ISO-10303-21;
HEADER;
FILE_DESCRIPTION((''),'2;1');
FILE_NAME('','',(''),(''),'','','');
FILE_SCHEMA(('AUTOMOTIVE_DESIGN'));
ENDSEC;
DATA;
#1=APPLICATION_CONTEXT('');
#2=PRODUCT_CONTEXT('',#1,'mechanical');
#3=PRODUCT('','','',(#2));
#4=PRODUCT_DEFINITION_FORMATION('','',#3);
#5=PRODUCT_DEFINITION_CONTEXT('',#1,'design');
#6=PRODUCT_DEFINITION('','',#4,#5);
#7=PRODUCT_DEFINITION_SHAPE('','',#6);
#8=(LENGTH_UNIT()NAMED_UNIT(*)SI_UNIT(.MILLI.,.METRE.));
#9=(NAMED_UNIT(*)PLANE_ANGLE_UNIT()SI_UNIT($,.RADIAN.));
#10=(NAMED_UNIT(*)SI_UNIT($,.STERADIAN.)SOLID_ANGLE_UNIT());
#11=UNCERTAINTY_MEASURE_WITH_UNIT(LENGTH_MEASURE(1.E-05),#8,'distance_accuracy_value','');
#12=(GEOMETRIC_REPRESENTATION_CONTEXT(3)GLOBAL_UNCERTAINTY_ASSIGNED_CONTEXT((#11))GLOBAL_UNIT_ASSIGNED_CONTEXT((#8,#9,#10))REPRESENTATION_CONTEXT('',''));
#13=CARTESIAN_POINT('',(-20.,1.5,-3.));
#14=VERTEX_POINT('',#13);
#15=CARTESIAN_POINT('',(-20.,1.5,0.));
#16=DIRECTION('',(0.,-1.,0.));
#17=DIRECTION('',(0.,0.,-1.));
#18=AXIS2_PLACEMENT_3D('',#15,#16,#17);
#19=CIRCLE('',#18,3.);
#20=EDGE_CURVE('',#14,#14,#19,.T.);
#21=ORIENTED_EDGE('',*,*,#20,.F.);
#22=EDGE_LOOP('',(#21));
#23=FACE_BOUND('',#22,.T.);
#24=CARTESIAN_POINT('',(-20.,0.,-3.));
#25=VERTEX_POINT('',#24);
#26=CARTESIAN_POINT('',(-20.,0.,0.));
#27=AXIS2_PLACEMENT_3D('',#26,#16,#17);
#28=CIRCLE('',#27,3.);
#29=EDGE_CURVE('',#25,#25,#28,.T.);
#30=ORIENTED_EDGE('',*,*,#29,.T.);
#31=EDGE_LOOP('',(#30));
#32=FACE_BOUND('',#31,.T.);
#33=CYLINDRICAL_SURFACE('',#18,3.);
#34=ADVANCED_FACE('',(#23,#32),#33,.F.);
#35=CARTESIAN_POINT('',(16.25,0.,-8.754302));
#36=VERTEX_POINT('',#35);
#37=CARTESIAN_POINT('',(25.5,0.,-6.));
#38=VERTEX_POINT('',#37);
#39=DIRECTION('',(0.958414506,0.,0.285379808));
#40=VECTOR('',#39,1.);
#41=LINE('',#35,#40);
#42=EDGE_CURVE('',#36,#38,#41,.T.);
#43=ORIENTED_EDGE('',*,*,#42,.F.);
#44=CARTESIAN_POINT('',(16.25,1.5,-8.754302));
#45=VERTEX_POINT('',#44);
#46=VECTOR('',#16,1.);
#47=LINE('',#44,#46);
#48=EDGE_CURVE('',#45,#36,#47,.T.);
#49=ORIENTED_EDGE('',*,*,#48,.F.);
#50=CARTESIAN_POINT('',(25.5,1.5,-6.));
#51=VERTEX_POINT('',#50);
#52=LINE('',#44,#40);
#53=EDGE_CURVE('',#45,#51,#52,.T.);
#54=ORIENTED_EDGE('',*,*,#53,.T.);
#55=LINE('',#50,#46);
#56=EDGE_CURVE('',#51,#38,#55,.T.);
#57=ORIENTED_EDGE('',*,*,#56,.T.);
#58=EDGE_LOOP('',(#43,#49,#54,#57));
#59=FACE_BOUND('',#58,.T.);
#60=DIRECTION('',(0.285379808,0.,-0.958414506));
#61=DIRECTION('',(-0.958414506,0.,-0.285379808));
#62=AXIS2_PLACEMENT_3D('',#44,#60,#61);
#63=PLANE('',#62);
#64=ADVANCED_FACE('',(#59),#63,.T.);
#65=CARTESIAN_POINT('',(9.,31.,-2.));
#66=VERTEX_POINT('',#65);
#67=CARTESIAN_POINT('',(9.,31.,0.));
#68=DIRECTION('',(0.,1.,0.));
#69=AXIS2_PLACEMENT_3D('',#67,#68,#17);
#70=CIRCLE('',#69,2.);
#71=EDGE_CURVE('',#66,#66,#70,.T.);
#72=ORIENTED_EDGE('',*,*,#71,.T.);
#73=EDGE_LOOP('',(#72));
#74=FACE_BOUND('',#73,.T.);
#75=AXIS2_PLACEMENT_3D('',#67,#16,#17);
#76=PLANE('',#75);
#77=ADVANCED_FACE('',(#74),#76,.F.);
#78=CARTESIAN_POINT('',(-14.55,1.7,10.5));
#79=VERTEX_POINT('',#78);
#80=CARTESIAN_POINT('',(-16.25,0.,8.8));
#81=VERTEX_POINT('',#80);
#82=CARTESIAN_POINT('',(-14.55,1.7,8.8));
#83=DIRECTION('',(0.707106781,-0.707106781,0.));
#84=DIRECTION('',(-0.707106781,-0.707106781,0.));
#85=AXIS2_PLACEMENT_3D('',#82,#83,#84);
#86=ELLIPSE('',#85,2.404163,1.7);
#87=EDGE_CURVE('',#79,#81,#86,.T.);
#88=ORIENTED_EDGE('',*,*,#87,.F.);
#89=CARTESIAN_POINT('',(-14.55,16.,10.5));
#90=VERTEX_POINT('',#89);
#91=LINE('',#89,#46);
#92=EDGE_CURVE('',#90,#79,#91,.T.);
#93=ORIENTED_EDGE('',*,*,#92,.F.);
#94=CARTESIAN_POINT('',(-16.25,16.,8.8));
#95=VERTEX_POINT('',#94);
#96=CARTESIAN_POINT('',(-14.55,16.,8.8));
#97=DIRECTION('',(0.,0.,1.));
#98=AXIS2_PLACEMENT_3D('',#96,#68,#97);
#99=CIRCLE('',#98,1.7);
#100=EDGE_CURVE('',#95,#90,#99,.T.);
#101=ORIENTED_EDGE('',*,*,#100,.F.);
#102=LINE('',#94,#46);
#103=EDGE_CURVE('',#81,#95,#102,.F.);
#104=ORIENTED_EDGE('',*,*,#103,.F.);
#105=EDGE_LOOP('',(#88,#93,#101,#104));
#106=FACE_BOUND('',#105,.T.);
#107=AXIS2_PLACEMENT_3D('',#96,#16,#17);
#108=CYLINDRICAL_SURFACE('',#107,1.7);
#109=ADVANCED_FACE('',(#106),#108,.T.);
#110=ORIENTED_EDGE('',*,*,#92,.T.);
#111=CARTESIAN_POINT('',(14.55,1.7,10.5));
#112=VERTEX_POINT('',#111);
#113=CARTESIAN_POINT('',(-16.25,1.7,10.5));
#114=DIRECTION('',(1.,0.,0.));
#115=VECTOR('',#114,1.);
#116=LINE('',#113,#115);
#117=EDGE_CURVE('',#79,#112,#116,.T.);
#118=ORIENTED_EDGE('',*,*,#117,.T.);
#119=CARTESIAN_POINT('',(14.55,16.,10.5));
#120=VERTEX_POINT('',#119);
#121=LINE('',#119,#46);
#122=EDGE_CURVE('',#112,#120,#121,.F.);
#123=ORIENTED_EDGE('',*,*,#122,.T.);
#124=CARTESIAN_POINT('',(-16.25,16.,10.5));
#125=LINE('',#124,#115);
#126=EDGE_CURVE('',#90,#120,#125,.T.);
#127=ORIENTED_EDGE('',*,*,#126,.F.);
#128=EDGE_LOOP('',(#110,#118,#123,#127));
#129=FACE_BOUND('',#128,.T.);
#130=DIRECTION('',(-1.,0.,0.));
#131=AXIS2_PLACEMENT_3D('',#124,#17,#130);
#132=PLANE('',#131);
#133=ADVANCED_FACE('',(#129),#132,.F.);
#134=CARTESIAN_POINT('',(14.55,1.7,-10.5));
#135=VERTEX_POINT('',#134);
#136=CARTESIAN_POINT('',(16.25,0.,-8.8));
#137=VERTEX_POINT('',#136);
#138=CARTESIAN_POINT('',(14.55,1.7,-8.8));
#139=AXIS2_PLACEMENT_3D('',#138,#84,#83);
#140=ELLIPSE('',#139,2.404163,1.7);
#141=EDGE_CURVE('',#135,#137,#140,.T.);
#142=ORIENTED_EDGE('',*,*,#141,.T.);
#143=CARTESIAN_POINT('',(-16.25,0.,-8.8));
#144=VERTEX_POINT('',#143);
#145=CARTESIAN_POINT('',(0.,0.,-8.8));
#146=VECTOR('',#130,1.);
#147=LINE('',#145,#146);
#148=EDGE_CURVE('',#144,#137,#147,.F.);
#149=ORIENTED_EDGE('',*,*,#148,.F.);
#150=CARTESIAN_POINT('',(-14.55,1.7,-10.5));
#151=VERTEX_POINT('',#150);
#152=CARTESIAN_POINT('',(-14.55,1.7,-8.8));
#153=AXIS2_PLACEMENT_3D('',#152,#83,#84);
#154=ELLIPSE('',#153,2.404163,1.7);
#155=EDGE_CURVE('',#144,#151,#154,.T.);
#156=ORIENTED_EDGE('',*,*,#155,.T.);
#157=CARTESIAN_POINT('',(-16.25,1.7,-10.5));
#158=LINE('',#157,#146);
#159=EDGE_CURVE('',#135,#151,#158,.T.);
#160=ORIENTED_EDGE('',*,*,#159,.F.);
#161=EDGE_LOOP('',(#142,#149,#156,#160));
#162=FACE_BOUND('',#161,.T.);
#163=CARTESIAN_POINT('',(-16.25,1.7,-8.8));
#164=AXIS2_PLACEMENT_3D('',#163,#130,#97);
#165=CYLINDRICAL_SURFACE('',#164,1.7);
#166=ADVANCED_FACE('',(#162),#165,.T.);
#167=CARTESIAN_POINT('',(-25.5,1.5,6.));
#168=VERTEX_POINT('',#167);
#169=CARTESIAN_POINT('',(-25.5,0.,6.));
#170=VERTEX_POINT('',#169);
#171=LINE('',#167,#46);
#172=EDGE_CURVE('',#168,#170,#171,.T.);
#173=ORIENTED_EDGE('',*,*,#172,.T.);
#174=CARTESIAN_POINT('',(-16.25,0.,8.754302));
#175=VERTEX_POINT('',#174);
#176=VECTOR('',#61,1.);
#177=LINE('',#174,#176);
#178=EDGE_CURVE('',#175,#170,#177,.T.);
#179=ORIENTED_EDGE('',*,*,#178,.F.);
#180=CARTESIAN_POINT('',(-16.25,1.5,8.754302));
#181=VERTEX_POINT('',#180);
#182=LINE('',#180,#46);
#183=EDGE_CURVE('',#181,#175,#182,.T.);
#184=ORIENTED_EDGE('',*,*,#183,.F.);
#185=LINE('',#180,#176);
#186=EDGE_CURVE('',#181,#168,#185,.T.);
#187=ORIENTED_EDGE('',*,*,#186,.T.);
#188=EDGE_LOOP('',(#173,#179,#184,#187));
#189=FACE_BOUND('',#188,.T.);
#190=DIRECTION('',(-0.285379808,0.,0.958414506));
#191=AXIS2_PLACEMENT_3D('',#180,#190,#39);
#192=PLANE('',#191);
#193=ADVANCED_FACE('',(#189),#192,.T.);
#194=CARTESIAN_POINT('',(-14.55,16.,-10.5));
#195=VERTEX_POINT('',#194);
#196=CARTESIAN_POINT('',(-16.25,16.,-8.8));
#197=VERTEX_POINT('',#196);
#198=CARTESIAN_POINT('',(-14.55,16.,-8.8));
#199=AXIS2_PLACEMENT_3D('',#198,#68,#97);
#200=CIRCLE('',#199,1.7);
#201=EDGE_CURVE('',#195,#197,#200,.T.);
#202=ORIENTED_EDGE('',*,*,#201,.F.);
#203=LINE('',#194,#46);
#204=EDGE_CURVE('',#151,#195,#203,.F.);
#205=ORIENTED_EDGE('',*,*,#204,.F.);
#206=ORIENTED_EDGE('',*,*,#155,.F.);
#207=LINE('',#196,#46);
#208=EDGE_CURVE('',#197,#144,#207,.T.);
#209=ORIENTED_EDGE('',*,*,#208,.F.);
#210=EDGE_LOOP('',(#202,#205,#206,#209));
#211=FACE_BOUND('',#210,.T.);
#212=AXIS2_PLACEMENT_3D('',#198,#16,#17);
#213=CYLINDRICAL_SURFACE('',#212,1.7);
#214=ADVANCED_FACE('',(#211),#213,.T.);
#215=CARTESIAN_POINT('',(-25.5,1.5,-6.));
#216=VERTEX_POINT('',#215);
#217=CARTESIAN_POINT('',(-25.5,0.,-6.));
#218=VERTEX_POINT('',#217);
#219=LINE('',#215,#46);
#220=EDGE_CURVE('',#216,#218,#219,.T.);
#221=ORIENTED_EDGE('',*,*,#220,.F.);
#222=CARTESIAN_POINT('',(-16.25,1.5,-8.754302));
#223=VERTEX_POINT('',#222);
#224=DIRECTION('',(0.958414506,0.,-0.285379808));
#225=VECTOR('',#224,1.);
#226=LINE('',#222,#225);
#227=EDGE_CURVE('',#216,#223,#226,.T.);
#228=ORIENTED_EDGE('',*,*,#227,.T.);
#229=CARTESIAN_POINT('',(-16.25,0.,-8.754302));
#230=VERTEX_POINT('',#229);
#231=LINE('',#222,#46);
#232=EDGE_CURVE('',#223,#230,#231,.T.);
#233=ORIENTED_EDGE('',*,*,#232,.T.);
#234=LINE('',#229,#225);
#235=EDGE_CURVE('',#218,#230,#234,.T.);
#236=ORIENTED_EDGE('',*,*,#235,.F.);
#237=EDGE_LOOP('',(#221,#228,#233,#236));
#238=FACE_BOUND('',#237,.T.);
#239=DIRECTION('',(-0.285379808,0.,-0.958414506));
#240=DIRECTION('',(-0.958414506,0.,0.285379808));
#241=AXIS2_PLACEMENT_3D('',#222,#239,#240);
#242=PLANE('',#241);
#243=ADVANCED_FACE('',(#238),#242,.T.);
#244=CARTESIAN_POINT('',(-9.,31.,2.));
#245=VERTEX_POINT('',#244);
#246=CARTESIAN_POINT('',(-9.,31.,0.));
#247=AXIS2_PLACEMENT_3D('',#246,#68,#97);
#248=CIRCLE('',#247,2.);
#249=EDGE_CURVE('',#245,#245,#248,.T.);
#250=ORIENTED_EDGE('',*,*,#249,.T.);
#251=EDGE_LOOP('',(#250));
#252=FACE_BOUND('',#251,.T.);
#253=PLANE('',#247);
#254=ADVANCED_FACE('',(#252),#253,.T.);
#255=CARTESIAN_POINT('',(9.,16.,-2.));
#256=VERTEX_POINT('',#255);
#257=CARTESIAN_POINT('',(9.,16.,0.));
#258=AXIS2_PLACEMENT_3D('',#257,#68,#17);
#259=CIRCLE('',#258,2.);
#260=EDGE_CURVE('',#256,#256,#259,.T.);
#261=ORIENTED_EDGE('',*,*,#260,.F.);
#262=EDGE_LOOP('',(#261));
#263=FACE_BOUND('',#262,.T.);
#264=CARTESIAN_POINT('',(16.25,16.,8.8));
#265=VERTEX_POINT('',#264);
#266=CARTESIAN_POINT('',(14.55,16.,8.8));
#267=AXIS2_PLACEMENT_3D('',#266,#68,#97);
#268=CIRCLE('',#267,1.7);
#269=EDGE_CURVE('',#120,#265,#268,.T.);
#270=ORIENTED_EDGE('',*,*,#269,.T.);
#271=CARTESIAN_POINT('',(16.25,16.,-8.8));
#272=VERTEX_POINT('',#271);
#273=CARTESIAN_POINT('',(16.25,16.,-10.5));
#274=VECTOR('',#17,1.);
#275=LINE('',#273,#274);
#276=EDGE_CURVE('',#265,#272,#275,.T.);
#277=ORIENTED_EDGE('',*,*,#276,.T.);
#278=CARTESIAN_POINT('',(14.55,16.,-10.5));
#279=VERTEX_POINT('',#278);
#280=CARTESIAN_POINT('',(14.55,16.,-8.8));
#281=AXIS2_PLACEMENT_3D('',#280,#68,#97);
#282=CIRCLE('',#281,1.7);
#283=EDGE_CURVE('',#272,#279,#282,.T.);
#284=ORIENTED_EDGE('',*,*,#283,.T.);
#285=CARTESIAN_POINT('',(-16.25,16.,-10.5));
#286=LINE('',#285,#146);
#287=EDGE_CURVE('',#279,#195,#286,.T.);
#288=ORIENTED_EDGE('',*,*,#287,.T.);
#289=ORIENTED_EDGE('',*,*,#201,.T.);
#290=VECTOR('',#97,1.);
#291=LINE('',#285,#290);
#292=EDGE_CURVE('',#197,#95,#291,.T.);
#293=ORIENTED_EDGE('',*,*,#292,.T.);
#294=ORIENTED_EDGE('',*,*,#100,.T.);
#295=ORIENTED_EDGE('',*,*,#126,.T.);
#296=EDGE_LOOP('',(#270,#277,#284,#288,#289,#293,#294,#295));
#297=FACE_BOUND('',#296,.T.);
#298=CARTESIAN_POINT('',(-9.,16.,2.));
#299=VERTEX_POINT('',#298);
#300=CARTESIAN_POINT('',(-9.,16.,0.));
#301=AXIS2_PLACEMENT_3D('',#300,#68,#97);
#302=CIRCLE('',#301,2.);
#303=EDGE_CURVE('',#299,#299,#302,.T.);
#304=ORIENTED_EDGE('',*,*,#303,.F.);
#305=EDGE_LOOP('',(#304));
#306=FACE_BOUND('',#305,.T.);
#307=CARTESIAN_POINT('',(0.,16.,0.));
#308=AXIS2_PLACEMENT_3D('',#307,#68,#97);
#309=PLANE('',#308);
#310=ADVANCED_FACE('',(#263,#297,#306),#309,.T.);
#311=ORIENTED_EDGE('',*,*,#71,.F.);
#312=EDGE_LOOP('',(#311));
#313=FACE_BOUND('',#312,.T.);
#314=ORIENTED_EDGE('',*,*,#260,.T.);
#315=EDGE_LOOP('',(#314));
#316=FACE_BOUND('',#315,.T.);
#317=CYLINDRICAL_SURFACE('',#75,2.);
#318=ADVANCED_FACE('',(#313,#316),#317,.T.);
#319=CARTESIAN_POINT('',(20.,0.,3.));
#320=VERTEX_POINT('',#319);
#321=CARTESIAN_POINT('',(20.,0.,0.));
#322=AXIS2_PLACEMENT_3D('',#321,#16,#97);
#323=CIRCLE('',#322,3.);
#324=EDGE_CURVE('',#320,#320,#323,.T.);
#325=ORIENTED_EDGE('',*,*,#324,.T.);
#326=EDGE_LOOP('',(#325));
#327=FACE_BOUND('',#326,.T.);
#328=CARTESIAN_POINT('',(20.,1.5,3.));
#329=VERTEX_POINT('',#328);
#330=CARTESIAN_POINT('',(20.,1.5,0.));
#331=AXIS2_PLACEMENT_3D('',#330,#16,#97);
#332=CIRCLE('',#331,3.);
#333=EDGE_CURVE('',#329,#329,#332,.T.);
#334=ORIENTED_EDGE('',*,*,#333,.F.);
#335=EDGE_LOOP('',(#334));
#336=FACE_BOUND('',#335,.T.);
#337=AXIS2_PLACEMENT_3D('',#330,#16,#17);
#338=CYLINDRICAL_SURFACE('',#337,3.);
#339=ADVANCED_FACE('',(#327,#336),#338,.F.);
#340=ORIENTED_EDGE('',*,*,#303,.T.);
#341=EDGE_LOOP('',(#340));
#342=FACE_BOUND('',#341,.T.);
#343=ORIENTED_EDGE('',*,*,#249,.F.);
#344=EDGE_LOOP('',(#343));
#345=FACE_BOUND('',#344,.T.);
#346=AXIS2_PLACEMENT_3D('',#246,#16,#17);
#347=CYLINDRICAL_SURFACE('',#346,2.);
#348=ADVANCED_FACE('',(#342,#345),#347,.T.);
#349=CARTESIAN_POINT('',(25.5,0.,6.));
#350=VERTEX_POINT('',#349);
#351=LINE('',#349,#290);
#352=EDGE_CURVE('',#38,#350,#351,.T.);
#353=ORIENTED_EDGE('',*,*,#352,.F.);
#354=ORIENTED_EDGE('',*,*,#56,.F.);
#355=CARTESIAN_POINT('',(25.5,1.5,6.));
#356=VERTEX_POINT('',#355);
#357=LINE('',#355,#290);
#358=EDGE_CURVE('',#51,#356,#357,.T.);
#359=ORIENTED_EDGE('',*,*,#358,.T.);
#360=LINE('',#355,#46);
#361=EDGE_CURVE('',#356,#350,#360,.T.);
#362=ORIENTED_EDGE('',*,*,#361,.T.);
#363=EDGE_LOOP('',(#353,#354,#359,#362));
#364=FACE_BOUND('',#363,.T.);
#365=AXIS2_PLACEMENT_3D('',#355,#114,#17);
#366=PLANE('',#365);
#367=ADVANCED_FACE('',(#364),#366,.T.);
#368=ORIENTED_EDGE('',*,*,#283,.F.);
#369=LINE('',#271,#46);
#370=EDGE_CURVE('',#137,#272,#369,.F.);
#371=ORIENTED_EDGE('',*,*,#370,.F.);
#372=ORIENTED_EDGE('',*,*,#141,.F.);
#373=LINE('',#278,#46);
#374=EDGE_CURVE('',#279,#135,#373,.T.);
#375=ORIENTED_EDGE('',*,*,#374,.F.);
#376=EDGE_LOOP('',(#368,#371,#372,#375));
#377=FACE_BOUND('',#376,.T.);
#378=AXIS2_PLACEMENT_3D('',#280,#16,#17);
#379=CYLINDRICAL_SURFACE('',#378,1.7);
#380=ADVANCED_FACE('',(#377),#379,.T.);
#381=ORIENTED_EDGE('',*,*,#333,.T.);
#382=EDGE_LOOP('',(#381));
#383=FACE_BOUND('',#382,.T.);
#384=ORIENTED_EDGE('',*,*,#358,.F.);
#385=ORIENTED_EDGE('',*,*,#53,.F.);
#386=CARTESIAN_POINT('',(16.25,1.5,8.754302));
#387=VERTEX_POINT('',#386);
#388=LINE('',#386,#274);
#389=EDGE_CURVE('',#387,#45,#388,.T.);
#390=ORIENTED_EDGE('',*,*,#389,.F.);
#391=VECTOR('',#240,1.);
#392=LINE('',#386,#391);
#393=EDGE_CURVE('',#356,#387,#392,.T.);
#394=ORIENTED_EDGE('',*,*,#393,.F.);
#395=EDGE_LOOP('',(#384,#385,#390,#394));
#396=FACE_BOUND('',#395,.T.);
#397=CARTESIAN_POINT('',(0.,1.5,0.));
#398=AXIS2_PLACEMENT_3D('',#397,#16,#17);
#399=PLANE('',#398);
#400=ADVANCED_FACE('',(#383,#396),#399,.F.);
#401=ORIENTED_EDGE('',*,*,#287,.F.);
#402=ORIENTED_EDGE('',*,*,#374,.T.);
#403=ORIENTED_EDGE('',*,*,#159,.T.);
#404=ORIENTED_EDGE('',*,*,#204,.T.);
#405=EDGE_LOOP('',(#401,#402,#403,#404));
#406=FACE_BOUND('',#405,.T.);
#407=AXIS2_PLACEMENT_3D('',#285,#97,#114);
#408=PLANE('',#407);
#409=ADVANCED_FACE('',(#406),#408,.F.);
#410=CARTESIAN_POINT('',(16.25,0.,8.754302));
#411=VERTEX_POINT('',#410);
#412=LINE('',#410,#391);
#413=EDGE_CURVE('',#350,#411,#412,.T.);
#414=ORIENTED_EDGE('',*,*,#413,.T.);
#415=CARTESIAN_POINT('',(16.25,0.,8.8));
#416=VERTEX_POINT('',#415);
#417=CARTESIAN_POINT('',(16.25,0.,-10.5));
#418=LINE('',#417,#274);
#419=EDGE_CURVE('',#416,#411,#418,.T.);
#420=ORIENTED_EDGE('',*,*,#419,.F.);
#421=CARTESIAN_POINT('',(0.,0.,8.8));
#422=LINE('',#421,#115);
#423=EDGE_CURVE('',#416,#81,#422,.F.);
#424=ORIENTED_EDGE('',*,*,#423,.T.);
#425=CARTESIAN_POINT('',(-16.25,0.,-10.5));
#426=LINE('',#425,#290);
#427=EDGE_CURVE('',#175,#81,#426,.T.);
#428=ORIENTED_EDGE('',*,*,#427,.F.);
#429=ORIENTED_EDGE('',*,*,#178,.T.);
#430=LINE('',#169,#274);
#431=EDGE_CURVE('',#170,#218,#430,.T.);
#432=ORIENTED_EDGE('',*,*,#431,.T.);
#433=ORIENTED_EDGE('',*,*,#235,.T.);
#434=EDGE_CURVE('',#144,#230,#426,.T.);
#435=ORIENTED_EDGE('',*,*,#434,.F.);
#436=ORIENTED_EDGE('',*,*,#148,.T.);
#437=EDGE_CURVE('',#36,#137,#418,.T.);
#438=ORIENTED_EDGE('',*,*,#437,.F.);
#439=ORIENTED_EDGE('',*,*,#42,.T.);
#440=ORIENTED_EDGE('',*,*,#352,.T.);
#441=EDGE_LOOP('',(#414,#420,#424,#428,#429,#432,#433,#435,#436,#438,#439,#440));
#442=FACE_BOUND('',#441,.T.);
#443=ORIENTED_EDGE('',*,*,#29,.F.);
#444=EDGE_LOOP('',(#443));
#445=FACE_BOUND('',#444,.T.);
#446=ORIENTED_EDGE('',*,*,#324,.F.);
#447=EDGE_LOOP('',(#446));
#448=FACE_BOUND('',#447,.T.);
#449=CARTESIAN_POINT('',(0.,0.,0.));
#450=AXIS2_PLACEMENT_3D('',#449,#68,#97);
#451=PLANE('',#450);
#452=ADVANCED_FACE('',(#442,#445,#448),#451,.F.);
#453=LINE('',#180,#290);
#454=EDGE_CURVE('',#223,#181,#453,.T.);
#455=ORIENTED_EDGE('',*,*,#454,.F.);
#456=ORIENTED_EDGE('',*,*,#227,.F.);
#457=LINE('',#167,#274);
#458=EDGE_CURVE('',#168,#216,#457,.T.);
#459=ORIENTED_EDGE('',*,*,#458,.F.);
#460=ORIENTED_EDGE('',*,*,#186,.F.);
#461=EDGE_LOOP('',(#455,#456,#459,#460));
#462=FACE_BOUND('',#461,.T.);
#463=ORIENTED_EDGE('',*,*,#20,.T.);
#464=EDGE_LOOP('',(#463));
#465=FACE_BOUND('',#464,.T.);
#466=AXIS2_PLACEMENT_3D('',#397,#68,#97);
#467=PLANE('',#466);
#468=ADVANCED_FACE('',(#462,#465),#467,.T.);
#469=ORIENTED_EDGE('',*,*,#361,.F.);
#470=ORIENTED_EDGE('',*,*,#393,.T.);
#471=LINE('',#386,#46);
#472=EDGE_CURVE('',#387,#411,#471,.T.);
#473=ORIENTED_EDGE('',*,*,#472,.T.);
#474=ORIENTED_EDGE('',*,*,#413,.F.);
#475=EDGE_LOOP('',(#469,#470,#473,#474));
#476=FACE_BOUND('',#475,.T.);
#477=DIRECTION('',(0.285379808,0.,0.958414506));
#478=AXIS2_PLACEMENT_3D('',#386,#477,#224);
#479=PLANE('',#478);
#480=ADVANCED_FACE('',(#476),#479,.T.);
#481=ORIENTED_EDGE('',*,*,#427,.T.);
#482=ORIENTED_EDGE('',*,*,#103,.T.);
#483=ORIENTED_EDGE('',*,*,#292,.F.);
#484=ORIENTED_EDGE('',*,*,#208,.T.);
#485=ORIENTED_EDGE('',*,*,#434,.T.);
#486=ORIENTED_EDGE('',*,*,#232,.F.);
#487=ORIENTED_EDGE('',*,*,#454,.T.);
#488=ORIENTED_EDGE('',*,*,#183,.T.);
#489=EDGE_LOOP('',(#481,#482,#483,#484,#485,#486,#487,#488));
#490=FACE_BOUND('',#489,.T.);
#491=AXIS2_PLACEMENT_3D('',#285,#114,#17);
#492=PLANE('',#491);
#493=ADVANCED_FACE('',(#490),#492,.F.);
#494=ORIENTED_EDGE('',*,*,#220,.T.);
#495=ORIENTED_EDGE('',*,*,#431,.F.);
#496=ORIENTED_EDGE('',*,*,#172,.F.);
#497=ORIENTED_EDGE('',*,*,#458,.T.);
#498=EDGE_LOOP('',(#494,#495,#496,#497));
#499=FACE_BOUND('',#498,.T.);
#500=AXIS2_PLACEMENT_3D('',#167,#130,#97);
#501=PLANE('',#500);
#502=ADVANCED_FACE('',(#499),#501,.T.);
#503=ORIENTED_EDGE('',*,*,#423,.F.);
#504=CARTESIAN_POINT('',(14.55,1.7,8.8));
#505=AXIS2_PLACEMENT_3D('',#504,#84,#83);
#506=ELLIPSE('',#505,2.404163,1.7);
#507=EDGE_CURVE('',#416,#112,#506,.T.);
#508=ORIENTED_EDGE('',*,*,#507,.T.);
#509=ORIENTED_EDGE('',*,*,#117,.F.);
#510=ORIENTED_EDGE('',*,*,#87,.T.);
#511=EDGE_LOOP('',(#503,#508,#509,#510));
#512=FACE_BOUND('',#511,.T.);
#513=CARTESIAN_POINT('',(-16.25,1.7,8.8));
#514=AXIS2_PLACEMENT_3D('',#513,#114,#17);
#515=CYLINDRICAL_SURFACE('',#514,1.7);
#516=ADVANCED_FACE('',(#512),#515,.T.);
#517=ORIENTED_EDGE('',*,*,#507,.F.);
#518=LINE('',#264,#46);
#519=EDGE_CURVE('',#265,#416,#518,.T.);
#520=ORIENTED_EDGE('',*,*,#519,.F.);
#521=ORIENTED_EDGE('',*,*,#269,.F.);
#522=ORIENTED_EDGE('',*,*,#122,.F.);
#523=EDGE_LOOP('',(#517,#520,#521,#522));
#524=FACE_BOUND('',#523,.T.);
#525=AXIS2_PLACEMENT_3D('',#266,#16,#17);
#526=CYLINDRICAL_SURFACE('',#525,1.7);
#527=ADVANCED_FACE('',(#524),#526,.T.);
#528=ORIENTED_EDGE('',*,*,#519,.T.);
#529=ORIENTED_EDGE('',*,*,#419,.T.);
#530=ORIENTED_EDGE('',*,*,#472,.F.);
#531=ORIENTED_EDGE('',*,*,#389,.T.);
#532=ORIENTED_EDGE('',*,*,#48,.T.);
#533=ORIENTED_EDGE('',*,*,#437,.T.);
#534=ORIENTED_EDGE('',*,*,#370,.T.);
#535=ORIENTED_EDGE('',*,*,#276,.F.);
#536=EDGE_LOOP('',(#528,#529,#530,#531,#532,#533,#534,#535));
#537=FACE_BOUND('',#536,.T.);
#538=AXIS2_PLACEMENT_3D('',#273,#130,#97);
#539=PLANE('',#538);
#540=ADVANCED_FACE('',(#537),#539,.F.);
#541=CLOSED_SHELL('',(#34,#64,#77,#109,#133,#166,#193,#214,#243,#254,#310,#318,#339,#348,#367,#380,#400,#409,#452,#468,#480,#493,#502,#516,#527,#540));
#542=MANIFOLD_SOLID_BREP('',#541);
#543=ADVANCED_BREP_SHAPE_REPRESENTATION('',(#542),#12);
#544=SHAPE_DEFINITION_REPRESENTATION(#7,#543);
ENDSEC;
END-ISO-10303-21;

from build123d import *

# Parameters (mm, degrees)
CROQUIS1_W              = 32.5
CROQUIS1_H              = 21
SALIENTE_EXTRUIR1_DEPTH = 16
CROQUIS2_R              = 2
SALIENTE_EXTRUIR2_DEPTH = 15
CROQUIS3_R              = 3
SALIENTE_EXTRUIR3_DEPTH = 1.5
REDONDEO1_R             = 1.7


with BuildPart() as part:
    # Croquis1 → Saliente-Extruir1 (new body)
    with BuildSketch(Plane(origin=(0, 0, 0), x_dir=(1, 0, 0), z_dir=(0, 1, 0))):
        Rectangle(CROQUIS1_W, CROQUIS1_H)
    extrude(amount=SALIENTE_EXTRUIR1_DEPTH)

    # Croquis2 → Saliente-Extruir2 (add)
    with BuildSketch(Plane(origin=(0, 16, 0), x_dir=(1, 0, 0), z_dir=(0, 1, 0))):
        with Locations((-9, 0)):
            Circle(CROQUIS2_R)
        with Locations((9, 0)):
            Circle(CROQUIS2_R)
    extrude(amount=SALIENTE_EXTRUIR2_DEPTH)

    # Croquis3 → Saliente-Extruir3 (add)
    with BuildSketch(Plane.XZ):
        Polygon((-16.25, 8.754302239), (-25.5, 6), (-25.5, -6), (-16.25, -8.754302239), align=None)
        with Locations((-20, 0)):
            Circle(CROQUIS3_R, mode=Mode.SUBTRACT)
        Polygon((16.25, -8.754302239), (25.5, -6), (25.5, 6), (16.25, 8.754302239), align=None)
        with Locations((20, 0)):
            Circle(CROQUIS3_R, mode=Mode.SUBTRACT)
    extrude(amount=-SALIENTE_EXTRUIR3_DEPTH)

    # Redondeo1
    redondeo1_edges = [part.edges().sort_by_distance(p)[0] for p in [
        (0, 0, 10.5),
        (0, 0, -10.5),
        (16.25, 8, 10.5),
        (-16.25, 8, 10.5),
        (-16.25, 8, -10.5),
        (16.25, 8, -10.5),
    ]]
    fillet(redondeo1_edges, radius=REDONDEO1_R)


solid = part.part
